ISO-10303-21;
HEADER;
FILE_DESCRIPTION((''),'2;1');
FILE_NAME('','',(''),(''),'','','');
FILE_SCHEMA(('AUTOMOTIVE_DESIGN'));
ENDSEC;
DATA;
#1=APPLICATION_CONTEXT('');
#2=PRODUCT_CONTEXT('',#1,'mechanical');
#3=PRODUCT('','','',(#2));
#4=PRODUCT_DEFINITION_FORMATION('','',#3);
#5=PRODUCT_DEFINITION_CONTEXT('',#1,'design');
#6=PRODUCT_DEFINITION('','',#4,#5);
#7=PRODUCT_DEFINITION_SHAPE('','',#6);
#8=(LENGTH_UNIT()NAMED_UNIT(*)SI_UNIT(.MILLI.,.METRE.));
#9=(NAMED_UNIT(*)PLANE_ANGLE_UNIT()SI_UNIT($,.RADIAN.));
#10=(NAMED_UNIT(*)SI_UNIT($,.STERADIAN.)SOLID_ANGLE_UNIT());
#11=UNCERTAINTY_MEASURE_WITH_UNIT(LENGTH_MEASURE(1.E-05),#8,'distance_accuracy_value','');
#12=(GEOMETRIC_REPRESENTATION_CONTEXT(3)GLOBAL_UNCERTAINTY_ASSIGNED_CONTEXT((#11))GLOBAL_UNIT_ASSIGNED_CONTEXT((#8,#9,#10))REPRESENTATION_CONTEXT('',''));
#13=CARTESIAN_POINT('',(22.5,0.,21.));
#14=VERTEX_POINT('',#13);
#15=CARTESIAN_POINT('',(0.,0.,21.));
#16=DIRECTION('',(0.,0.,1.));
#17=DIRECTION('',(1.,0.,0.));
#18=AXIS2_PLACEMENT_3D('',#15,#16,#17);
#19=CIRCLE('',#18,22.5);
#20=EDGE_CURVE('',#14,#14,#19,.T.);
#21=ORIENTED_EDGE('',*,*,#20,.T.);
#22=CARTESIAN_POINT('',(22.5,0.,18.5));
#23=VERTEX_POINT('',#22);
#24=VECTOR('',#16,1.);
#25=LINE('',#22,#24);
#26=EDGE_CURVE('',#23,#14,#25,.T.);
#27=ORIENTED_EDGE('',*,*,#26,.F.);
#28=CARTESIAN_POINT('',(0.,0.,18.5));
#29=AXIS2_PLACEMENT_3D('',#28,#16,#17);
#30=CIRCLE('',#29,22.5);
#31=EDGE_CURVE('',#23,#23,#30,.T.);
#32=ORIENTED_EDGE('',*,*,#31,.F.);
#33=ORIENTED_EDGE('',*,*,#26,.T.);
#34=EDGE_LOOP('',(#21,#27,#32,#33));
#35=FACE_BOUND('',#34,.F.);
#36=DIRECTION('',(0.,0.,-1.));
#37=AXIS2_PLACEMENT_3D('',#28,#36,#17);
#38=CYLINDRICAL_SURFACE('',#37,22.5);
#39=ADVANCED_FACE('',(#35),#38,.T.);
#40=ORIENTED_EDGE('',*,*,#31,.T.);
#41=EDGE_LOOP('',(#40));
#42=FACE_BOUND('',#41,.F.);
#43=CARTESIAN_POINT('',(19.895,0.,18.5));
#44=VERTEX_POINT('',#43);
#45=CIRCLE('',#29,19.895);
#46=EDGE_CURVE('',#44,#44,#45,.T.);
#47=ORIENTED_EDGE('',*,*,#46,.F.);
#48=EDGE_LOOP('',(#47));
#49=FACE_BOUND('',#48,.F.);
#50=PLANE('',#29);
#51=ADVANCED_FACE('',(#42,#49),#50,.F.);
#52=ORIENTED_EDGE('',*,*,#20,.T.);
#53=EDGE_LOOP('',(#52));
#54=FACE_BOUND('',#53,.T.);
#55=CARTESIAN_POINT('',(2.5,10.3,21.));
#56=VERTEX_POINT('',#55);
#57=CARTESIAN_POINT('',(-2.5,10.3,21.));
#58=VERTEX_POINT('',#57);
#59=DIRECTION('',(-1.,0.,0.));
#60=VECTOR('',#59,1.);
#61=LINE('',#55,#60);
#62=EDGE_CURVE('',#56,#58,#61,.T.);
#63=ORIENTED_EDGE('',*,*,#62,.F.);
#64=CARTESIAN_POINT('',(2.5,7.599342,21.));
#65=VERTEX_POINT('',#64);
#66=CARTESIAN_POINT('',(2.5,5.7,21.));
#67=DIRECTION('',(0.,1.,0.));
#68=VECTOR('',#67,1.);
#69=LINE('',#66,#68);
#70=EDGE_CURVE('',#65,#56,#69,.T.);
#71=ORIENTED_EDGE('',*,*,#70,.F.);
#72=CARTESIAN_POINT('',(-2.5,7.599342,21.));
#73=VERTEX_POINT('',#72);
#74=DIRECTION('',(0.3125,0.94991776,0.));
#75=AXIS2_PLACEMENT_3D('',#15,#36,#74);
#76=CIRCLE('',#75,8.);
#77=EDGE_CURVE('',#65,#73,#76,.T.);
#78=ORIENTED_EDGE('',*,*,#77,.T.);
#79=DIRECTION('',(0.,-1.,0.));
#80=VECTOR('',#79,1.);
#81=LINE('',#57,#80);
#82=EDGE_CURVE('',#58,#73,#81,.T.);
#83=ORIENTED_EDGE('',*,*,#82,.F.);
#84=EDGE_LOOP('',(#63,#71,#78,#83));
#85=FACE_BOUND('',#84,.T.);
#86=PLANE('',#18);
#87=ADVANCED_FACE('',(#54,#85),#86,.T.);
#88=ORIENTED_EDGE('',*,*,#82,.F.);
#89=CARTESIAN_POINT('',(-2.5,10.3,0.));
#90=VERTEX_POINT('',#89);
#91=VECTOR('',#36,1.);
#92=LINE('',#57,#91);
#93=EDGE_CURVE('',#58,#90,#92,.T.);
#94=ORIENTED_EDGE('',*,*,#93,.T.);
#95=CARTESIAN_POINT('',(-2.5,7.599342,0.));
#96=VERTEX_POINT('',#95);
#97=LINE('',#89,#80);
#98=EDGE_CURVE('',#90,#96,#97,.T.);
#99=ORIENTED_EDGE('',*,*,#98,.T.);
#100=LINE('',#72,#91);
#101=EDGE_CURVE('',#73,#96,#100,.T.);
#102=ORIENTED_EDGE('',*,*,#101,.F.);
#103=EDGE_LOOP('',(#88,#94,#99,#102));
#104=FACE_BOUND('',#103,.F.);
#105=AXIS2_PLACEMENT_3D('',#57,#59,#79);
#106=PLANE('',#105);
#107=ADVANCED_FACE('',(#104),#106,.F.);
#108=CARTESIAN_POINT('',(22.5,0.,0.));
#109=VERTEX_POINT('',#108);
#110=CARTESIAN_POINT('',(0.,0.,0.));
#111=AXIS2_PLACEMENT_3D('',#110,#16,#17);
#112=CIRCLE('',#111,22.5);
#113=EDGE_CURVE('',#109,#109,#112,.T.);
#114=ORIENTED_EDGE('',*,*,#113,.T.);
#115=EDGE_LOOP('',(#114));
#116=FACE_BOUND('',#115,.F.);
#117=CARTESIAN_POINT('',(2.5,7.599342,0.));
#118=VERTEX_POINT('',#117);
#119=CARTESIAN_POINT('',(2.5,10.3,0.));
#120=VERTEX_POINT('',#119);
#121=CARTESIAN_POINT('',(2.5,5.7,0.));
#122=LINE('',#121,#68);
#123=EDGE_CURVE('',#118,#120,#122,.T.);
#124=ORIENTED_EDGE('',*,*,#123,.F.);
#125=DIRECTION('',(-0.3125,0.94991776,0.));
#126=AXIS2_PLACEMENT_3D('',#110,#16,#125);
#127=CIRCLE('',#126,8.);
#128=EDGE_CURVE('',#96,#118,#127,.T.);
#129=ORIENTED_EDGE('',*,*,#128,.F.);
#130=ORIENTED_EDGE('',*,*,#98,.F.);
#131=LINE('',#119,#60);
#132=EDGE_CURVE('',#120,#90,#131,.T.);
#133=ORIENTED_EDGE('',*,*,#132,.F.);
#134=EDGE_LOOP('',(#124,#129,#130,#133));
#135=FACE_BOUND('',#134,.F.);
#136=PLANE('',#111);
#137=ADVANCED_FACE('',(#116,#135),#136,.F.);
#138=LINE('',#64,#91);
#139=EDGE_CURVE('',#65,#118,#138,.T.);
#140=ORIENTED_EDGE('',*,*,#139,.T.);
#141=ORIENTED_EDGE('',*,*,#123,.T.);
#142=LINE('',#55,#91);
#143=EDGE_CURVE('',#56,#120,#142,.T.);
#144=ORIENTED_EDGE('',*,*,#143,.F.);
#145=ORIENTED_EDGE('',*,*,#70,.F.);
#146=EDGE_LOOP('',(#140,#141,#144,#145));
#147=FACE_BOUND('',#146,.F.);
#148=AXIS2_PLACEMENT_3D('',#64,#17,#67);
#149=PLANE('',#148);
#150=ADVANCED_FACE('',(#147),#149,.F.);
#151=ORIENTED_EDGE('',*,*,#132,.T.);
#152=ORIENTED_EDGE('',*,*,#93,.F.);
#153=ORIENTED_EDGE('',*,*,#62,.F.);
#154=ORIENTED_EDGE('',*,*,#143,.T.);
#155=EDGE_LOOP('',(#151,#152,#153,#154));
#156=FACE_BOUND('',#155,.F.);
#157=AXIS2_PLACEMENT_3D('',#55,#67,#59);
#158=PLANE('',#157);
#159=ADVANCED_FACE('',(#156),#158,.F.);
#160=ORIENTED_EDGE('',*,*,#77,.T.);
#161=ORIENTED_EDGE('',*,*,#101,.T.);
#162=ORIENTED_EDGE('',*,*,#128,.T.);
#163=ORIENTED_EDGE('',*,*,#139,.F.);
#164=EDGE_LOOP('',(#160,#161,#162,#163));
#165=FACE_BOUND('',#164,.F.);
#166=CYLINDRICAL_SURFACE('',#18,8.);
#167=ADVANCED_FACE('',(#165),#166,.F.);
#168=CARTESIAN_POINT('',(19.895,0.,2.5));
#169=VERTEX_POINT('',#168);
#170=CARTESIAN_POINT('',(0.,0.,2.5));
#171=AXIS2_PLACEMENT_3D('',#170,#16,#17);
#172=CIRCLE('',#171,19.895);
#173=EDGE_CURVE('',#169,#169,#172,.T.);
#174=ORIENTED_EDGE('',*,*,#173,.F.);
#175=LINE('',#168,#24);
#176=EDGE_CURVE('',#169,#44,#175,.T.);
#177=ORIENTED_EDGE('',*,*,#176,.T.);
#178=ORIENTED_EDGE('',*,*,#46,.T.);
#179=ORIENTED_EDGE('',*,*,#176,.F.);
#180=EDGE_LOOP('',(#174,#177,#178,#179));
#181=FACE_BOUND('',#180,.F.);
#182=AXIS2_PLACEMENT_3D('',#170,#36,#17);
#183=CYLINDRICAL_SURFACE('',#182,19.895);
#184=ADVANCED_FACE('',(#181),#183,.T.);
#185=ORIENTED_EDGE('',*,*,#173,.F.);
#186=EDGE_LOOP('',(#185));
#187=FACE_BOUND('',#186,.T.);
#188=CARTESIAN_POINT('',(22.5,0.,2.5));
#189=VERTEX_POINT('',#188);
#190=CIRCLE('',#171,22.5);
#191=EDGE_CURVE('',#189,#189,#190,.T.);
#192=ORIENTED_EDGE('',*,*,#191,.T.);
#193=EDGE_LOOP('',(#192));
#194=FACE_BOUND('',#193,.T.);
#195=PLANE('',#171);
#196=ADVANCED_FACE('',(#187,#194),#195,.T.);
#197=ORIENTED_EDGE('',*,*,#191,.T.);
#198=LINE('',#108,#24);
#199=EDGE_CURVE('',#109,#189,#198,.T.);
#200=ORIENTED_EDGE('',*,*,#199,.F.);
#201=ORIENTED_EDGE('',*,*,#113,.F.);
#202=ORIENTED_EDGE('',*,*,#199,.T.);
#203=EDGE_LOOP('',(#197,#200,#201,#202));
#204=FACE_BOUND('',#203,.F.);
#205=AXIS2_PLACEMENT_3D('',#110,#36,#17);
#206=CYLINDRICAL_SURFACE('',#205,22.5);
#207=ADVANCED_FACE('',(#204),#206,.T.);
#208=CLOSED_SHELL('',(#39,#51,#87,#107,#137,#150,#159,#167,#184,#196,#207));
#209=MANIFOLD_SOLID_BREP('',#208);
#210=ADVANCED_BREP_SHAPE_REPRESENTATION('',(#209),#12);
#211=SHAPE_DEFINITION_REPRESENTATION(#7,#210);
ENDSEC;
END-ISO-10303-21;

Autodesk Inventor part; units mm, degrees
ref_plane "YZ Plane" through (0, 0, 0) normal (1, 0, 0) x (0, 1, 0)
ref_plane "XZ Plane" through (0, 0, 0) normal (0, 1, 0) x (-1, 0, 0)
ref_plane "XY Plane" through (0, 0, 0) normal (0, 0, 1) x (1, 0, 0)
sketch "Sketch1" plane through (0, 0, 0) normal (0, 0, 1) x (1, 0, 0)
  circle A0 centre (0, 0) radius 22.5
  dimension "d0" = 45
extrude "Extrusion1" add sketch "Sketch1" along normal blind 2.5
sketch "Sketch2" plane through (0, 0, 2.5) normal (0, 0, 1) x (1, 0, 0)
  circle A0 centre (0, 0) radius 19.895
  dimension "d3" = 39.79
extrude "Extrusion2" add sketch "Sketch2" along normal blind 16
sketch "Sketch3" plane through (0, 0, 18.5) normal (0, 0, 1) x (1, 0, 0)
  circle A0 centre (0, 0) radius 22.5
  dimension "d6" = 45
extrude "Extrusion3" add sketch "Sketch3" along normal blind 2.5
sketch "Sketch4" plane through (0, 0, 21) normal (0, 0, 1) x (1, 0, 0)
  circle A0 centre (0, 0) radius 8
  line L0 (-2.5, 5.7) -> (2.5, 5.7)
  line L1 (2.5, 5.7) -> (2.5, 10.3)
  line L2 (2.5, 10.3) -> (-2.5, 10.3)
  line L3 (-2.5, 10.3) -> (-2.5, 5.7)
  line L4 (-2.5, 5.7) -> (2.5, 10.3) construction
  line L5 (2.5, 5.7) -> (-2.5, 10.3) construction
  point P0 (0, 8)
  dimension "d9" = 16
  dimension "d10" = 5
  dimension "d11" = 4.6
extrude "Extrusion4" cut sketch "Sketch4" against normal blind 21
properties part number "HTD5M 25 Pulley" material "Aluminum 6061"
